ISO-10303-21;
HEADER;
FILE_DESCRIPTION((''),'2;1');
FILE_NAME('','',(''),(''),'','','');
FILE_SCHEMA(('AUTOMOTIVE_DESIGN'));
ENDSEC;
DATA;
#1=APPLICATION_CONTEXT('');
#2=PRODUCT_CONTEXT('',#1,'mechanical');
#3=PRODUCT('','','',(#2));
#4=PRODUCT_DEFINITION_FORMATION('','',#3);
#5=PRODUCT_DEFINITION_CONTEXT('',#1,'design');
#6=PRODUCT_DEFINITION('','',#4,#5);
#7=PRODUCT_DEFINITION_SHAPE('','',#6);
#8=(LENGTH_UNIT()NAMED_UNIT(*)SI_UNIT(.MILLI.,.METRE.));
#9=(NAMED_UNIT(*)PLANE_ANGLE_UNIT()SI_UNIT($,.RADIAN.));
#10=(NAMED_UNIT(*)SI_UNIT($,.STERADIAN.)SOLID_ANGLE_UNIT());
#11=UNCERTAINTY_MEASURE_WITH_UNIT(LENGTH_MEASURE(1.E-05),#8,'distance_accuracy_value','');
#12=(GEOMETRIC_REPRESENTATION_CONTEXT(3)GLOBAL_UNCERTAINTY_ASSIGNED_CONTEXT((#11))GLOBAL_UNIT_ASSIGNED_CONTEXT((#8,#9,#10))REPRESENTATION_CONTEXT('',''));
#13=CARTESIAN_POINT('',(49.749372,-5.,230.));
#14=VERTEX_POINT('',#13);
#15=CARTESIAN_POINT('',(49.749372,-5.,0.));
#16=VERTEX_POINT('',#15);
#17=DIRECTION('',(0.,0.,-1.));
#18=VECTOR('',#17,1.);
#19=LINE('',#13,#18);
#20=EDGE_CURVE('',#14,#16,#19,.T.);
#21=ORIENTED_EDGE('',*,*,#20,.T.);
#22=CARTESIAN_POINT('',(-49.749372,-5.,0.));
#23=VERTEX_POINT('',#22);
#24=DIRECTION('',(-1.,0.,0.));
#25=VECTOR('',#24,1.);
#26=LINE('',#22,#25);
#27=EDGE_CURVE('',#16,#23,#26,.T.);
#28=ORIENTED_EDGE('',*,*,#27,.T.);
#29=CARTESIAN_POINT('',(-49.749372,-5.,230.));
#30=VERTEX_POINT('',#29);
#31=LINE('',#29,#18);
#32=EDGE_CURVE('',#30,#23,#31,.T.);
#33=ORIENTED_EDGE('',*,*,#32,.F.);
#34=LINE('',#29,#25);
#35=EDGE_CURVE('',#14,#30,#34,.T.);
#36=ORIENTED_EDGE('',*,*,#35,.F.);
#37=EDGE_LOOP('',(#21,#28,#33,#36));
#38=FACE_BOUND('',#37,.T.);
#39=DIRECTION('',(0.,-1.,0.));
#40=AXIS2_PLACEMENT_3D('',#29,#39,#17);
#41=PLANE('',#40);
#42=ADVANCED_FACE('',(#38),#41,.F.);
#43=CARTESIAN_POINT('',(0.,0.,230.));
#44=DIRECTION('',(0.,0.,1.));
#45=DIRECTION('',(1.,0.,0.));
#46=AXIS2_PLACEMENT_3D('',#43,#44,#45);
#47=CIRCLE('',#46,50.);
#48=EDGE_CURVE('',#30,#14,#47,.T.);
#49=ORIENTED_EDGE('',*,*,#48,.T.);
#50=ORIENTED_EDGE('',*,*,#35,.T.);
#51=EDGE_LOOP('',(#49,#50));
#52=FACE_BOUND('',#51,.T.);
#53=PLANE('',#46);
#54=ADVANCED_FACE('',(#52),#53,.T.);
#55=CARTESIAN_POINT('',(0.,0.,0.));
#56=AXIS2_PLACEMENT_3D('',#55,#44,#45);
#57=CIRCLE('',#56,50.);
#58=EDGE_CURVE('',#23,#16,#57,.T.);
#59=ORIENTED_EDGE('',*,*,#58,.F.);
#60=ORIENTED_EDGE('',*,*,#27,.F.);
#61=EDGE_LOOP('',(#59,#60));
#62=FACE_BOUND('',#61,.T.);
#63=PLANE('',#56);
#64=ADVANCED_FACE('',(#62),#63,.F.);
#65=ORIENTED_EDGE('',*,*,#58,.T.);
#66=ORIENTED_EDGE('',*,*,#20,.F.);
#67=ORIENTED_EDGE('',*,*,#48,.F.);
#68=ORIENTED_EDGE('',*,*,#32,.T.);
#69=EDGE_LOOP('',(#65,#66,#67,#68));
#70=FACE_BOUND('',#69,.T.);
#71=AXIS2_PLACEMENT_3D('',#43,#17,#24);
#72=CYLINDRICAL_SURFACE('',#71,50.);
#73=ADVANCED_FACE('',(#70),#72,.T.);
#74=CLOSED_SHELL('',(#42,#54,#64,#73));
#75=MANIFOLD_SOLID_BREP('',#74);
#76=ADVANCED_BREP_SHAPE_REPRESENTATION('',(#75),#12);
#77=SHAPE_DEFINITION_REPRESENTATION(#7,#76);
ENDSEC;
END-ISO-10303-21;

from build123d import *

# Parameters (mm, degrees)
BOSS_EXTRUDE1_DEPTH = 230


with BuildPart() as part:
    # Sketch1 → Boss-Extrude1 (new body)
    with BuildSketch(Plane.XY):
        with BuildLine():
            Line((-49.749371855, -5), (49.749371855, -5))
            ThreePointArc((49.749371855, -5), (0, -50), (-49.749371855, -5))
        make_face()
    extrude(amount=BOSS_EXTRUDE1_DEPTH)


solid = part.part
